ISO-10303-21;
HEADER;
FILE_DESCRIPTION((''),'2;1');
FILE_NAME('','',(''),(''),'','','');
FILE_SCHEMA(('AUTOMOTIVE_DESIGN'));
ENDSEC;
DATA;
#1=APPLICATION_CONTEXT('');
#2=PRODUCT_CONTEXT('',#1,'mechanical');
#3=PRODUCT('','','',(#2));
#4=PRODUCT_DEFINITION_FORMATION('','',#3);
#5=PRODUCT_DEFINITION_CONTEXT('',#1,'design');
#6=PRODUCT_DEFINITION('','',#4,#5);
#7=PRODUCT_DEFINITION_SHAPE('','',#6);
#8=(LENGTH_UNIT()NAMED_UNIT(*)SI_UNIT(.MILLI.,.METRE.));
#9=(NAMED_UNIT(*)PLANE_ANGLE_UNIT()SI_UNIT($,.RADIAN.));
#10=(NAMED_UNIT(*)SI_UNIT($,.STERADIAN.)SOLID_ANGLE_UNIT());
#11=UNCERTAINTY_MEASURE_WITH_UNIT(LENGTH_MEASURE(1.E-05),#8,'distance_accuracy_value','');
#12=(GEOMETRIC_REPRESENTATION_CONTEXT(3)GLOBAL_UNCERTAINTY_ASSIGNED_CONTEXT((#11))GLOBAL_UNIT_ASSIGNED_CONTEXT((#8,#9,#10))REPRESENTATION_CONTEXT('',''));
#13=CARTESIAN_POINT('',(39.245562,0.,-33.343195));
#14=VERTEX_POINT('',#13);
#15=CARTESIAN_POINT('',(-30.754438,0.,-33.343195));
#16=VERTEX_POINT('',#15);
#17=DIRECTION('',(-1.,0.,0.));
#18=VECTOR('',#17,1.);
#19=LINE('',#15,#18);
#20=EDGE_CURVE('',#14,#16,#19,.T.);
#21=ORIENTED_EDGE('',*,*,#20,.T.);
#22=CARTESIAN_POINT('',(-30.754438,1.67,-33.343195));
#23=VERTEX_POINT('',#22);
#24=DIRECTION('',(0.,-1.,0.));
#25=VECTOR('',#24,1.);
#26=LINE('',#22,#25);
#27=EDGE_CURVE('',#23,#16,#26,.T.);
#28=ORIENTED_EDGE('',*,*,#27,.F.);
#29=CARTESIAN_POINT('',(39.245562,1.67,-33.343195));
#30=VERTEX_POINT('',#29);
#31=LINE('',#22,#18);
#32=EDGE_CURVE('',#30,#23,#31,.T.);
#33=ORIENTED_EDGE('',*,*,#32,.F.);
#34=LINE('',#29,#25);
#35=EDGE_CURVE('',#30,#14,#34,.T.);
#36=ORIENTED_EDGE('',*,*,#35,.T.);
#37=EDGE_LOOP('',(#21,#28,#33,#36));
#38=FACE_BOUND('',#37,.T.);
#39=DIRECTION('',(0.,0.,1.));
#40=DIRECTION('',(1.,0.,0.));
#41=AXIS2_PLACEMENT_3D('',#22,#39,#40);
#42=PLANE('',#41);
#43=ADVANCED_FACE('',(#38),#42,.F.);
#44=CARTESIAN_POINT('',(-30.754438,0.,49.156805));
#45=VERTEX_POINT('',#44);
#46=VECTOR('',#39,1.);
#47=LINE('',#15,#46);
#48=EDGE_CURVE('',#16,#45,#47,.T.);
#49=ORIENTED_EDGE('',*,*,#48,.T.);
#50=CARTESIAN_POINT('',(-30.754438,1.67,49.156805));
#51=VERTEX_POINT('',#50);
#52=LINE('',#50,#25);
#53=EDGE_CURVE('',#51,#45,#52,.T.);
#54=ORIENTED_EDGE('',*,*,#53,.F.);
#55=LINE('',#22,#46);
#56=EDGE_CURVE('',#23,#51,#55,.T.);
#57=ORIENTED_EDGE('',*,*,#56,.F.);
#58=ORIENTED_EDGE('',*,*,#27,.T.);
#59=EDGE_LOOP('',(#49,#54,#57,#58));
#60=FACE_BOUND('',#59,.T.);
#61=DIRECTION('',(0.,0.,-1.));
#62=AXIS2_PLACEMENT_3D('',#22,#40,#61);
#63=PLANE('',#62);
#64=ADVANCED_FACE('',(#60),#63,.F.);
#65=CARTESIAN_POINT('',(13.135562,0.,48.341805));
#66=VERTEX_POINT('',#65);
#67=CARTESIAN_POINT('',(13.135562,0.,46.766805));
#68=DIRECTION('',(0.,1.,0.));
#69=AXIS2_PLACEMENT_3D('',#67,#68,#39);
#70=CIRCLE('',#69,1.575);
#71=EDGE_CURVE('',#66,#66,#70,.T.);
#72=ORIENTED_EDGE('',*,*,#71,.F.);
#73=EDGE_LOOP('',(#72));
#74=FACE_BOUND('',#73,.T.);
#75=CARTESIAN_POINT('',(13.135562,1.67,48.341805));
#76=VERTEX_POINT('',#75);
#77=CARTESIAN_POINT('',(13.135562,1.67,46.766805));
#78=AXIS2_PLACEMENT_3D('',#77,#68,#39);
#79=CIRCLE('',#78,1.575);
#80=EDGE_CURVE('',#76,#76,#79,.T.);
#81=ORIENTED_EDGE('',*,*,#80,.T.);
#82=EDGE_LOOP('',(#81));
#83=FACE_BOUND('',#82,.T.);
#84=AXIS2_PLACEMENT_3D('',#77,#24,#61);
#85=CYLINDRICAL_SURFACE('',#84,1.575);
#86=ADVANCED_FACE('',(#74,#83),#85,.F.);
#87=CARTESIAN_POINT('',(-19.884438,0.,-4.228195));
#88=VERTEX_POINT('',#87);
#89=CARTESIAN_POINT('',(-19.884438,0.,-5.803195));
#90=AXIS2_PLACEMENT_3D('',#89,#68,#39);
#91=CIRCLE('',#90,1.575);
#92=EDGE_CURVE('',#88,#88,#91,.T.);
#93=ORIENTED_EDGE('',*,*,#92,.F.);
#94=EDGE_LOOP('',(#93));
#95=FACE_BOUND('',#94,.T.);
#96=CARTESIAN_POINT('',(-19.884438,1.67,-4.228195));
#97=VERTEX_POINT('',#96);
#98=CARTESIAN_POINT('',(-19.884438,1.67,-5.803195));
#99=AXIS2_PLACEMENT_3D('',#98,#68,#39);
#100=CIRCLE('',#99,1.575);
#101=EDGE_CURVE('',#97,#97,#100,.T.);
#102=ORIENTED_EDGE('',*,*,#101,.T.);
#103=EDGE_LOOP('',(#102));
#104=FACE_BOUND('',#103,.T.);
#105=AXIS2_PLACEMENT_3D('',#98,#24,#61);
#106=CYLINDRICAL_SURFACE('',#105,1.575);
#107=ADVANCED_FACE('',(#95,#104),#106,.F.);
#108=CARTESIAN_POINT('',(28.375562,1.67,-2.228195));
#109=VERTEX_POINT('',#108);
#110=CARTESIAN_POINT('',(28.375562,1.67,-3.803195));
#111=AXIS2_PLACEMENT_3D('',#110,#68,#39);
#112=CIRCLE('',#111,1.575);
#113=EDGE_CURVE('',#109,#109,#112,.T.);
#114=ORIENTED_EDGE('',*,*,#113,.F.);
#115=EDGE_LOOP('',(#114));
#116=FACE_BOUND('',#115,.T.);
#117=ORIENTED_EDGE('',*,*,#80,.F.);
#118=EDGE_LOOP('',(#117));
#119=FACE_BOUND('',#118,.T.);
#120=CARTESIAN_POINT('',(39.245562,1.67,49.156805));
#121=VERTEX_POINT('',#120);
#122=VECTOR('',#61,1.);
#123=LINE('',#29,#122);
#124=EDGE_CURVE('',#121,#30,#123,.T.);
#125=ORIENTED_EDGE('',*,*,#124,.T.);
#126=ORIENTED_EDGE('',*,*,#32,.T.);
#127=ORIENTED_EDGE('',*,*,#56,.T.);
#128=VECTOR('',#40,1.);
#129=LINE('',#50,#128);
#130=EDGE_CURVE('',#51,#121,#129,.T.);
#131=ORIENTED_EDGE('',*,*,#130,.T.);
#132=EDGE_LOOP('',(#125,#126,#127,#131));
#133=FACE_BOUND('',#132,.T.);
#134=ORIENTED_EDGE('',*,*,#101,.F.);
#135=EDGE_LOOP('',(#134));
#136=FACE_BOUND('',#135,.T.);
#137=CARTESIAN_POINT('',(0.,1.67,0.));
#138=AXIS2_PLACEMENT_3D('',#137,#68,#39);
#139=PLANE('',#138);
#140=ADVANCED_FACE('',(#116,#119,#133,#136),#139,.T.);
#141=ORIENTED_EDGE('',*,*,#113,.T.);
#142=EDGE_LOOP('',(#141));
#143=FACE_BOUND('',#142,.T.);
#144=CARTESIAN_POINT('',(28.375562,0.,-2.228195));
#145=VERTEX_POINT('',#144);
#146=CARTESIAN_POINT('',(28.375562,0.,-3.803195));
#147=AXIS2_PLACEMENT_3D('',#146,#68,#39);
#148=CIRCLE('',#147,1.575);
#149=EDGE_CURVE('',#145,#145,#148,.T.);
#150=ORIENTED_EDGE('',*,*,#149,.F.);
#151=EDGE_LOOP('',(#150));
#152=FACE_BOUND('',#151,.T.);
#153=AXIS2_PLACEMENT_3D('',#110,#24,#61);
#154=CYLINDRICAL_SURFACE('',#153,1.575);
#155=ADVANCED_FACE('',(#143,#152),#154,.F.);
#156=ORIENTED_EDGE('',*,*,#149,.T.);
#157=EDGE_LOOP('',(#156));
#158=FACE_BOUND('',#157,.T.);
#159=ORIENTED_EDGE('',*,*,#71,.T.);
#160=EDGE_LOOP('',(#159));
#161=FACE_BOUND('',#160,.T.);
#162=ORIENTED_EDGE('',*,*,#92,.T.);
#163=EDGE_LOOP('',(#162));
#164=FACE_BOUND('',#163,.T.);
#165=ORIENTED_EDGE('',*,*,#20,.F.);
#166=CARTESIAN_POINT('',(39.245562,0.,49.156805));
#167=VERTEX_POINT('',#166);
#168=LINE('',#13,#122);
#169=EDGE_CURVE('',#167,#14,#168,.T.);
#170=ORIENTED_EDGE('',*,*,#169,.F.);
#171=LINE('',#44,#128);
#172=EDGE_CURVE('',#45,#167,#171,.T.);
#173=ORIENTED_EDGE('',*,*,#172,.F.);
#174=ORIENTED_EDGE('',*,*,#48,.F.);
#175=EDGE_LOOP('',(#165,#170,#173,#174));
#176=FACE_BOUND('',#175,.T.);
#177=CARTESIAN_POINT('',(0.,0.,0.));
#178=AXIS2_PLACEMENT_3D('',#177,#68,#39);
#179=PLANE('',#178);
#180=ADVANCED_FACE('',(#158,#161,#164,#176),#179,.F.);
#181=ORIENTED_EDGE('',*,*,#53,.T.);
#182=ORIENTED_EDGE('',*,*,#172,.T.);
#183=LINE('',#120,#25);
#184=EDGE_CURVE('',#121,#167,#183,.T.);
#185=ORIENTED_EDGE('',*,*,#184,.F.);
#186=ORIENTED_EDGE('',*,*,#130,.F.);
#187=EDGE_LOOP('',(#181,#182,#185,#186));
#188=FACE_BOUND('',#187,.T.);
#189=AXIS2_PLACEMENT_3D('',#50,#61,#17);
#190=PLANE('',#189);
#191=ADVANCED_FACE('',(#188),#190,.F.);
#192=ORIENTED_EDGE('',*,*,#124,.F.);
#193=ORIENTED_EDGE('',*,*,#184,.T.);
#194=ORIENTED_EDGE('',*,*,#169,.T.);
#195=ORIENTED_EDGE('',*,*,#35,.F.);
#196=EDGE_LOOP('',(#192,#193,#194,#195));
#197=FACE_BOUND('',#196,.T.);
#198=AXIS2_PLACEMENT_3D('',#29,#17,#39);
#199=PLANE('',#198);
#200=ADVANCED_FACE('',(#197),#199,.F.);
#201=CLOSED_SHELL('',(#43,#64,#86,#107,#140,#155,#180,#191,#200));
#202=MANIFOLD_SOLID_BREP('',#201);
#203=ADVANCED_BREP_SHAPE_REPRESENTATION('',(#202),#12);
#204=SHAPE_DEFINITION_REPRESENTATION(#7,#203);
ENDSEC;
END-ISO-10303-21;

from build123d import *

# Parameters (mm, degrees)
SKETCH1_W           = 70
SKETCH1_H           = 82.5
SKETCH1_R           = 1.575
BOSS_EXTRUDE1_DEPTH = 1.67


with BuildPart() as part:
    # Sketch1 → Boss-Extrude1 (new body)
    with BuildSketch(Plane(origin=(0, 0, 0), x_dir=(1, 0, 0), z_dir=(0, 1, 0))):
        with Locations((4.24556213, -7.906804734)):
            Rectangle(SKETCH1_W, SKETCH1_H)
        with Locations(Location((13.13556213, -46.766804734, 0), (0, 0, 270))):
            Circle(SKETCH1_R, mode=Mode.SUBTRACT)
        with Locations(Location((-19.88443787, 5.803195266, 0), (0, 0, 270))):
            Circle(SKETCH1_R, mode=Mode.SUBTRACT)
        with Locations(Location((28.37556213, 3.803195266, 0), (0, 0, 270))):
            Circle(SKETCH1_R, mode=Mode.SUBTRACT)
    extrude(amount=BOSS_EXTRUDE1_DEPTH)


solid = part.part
